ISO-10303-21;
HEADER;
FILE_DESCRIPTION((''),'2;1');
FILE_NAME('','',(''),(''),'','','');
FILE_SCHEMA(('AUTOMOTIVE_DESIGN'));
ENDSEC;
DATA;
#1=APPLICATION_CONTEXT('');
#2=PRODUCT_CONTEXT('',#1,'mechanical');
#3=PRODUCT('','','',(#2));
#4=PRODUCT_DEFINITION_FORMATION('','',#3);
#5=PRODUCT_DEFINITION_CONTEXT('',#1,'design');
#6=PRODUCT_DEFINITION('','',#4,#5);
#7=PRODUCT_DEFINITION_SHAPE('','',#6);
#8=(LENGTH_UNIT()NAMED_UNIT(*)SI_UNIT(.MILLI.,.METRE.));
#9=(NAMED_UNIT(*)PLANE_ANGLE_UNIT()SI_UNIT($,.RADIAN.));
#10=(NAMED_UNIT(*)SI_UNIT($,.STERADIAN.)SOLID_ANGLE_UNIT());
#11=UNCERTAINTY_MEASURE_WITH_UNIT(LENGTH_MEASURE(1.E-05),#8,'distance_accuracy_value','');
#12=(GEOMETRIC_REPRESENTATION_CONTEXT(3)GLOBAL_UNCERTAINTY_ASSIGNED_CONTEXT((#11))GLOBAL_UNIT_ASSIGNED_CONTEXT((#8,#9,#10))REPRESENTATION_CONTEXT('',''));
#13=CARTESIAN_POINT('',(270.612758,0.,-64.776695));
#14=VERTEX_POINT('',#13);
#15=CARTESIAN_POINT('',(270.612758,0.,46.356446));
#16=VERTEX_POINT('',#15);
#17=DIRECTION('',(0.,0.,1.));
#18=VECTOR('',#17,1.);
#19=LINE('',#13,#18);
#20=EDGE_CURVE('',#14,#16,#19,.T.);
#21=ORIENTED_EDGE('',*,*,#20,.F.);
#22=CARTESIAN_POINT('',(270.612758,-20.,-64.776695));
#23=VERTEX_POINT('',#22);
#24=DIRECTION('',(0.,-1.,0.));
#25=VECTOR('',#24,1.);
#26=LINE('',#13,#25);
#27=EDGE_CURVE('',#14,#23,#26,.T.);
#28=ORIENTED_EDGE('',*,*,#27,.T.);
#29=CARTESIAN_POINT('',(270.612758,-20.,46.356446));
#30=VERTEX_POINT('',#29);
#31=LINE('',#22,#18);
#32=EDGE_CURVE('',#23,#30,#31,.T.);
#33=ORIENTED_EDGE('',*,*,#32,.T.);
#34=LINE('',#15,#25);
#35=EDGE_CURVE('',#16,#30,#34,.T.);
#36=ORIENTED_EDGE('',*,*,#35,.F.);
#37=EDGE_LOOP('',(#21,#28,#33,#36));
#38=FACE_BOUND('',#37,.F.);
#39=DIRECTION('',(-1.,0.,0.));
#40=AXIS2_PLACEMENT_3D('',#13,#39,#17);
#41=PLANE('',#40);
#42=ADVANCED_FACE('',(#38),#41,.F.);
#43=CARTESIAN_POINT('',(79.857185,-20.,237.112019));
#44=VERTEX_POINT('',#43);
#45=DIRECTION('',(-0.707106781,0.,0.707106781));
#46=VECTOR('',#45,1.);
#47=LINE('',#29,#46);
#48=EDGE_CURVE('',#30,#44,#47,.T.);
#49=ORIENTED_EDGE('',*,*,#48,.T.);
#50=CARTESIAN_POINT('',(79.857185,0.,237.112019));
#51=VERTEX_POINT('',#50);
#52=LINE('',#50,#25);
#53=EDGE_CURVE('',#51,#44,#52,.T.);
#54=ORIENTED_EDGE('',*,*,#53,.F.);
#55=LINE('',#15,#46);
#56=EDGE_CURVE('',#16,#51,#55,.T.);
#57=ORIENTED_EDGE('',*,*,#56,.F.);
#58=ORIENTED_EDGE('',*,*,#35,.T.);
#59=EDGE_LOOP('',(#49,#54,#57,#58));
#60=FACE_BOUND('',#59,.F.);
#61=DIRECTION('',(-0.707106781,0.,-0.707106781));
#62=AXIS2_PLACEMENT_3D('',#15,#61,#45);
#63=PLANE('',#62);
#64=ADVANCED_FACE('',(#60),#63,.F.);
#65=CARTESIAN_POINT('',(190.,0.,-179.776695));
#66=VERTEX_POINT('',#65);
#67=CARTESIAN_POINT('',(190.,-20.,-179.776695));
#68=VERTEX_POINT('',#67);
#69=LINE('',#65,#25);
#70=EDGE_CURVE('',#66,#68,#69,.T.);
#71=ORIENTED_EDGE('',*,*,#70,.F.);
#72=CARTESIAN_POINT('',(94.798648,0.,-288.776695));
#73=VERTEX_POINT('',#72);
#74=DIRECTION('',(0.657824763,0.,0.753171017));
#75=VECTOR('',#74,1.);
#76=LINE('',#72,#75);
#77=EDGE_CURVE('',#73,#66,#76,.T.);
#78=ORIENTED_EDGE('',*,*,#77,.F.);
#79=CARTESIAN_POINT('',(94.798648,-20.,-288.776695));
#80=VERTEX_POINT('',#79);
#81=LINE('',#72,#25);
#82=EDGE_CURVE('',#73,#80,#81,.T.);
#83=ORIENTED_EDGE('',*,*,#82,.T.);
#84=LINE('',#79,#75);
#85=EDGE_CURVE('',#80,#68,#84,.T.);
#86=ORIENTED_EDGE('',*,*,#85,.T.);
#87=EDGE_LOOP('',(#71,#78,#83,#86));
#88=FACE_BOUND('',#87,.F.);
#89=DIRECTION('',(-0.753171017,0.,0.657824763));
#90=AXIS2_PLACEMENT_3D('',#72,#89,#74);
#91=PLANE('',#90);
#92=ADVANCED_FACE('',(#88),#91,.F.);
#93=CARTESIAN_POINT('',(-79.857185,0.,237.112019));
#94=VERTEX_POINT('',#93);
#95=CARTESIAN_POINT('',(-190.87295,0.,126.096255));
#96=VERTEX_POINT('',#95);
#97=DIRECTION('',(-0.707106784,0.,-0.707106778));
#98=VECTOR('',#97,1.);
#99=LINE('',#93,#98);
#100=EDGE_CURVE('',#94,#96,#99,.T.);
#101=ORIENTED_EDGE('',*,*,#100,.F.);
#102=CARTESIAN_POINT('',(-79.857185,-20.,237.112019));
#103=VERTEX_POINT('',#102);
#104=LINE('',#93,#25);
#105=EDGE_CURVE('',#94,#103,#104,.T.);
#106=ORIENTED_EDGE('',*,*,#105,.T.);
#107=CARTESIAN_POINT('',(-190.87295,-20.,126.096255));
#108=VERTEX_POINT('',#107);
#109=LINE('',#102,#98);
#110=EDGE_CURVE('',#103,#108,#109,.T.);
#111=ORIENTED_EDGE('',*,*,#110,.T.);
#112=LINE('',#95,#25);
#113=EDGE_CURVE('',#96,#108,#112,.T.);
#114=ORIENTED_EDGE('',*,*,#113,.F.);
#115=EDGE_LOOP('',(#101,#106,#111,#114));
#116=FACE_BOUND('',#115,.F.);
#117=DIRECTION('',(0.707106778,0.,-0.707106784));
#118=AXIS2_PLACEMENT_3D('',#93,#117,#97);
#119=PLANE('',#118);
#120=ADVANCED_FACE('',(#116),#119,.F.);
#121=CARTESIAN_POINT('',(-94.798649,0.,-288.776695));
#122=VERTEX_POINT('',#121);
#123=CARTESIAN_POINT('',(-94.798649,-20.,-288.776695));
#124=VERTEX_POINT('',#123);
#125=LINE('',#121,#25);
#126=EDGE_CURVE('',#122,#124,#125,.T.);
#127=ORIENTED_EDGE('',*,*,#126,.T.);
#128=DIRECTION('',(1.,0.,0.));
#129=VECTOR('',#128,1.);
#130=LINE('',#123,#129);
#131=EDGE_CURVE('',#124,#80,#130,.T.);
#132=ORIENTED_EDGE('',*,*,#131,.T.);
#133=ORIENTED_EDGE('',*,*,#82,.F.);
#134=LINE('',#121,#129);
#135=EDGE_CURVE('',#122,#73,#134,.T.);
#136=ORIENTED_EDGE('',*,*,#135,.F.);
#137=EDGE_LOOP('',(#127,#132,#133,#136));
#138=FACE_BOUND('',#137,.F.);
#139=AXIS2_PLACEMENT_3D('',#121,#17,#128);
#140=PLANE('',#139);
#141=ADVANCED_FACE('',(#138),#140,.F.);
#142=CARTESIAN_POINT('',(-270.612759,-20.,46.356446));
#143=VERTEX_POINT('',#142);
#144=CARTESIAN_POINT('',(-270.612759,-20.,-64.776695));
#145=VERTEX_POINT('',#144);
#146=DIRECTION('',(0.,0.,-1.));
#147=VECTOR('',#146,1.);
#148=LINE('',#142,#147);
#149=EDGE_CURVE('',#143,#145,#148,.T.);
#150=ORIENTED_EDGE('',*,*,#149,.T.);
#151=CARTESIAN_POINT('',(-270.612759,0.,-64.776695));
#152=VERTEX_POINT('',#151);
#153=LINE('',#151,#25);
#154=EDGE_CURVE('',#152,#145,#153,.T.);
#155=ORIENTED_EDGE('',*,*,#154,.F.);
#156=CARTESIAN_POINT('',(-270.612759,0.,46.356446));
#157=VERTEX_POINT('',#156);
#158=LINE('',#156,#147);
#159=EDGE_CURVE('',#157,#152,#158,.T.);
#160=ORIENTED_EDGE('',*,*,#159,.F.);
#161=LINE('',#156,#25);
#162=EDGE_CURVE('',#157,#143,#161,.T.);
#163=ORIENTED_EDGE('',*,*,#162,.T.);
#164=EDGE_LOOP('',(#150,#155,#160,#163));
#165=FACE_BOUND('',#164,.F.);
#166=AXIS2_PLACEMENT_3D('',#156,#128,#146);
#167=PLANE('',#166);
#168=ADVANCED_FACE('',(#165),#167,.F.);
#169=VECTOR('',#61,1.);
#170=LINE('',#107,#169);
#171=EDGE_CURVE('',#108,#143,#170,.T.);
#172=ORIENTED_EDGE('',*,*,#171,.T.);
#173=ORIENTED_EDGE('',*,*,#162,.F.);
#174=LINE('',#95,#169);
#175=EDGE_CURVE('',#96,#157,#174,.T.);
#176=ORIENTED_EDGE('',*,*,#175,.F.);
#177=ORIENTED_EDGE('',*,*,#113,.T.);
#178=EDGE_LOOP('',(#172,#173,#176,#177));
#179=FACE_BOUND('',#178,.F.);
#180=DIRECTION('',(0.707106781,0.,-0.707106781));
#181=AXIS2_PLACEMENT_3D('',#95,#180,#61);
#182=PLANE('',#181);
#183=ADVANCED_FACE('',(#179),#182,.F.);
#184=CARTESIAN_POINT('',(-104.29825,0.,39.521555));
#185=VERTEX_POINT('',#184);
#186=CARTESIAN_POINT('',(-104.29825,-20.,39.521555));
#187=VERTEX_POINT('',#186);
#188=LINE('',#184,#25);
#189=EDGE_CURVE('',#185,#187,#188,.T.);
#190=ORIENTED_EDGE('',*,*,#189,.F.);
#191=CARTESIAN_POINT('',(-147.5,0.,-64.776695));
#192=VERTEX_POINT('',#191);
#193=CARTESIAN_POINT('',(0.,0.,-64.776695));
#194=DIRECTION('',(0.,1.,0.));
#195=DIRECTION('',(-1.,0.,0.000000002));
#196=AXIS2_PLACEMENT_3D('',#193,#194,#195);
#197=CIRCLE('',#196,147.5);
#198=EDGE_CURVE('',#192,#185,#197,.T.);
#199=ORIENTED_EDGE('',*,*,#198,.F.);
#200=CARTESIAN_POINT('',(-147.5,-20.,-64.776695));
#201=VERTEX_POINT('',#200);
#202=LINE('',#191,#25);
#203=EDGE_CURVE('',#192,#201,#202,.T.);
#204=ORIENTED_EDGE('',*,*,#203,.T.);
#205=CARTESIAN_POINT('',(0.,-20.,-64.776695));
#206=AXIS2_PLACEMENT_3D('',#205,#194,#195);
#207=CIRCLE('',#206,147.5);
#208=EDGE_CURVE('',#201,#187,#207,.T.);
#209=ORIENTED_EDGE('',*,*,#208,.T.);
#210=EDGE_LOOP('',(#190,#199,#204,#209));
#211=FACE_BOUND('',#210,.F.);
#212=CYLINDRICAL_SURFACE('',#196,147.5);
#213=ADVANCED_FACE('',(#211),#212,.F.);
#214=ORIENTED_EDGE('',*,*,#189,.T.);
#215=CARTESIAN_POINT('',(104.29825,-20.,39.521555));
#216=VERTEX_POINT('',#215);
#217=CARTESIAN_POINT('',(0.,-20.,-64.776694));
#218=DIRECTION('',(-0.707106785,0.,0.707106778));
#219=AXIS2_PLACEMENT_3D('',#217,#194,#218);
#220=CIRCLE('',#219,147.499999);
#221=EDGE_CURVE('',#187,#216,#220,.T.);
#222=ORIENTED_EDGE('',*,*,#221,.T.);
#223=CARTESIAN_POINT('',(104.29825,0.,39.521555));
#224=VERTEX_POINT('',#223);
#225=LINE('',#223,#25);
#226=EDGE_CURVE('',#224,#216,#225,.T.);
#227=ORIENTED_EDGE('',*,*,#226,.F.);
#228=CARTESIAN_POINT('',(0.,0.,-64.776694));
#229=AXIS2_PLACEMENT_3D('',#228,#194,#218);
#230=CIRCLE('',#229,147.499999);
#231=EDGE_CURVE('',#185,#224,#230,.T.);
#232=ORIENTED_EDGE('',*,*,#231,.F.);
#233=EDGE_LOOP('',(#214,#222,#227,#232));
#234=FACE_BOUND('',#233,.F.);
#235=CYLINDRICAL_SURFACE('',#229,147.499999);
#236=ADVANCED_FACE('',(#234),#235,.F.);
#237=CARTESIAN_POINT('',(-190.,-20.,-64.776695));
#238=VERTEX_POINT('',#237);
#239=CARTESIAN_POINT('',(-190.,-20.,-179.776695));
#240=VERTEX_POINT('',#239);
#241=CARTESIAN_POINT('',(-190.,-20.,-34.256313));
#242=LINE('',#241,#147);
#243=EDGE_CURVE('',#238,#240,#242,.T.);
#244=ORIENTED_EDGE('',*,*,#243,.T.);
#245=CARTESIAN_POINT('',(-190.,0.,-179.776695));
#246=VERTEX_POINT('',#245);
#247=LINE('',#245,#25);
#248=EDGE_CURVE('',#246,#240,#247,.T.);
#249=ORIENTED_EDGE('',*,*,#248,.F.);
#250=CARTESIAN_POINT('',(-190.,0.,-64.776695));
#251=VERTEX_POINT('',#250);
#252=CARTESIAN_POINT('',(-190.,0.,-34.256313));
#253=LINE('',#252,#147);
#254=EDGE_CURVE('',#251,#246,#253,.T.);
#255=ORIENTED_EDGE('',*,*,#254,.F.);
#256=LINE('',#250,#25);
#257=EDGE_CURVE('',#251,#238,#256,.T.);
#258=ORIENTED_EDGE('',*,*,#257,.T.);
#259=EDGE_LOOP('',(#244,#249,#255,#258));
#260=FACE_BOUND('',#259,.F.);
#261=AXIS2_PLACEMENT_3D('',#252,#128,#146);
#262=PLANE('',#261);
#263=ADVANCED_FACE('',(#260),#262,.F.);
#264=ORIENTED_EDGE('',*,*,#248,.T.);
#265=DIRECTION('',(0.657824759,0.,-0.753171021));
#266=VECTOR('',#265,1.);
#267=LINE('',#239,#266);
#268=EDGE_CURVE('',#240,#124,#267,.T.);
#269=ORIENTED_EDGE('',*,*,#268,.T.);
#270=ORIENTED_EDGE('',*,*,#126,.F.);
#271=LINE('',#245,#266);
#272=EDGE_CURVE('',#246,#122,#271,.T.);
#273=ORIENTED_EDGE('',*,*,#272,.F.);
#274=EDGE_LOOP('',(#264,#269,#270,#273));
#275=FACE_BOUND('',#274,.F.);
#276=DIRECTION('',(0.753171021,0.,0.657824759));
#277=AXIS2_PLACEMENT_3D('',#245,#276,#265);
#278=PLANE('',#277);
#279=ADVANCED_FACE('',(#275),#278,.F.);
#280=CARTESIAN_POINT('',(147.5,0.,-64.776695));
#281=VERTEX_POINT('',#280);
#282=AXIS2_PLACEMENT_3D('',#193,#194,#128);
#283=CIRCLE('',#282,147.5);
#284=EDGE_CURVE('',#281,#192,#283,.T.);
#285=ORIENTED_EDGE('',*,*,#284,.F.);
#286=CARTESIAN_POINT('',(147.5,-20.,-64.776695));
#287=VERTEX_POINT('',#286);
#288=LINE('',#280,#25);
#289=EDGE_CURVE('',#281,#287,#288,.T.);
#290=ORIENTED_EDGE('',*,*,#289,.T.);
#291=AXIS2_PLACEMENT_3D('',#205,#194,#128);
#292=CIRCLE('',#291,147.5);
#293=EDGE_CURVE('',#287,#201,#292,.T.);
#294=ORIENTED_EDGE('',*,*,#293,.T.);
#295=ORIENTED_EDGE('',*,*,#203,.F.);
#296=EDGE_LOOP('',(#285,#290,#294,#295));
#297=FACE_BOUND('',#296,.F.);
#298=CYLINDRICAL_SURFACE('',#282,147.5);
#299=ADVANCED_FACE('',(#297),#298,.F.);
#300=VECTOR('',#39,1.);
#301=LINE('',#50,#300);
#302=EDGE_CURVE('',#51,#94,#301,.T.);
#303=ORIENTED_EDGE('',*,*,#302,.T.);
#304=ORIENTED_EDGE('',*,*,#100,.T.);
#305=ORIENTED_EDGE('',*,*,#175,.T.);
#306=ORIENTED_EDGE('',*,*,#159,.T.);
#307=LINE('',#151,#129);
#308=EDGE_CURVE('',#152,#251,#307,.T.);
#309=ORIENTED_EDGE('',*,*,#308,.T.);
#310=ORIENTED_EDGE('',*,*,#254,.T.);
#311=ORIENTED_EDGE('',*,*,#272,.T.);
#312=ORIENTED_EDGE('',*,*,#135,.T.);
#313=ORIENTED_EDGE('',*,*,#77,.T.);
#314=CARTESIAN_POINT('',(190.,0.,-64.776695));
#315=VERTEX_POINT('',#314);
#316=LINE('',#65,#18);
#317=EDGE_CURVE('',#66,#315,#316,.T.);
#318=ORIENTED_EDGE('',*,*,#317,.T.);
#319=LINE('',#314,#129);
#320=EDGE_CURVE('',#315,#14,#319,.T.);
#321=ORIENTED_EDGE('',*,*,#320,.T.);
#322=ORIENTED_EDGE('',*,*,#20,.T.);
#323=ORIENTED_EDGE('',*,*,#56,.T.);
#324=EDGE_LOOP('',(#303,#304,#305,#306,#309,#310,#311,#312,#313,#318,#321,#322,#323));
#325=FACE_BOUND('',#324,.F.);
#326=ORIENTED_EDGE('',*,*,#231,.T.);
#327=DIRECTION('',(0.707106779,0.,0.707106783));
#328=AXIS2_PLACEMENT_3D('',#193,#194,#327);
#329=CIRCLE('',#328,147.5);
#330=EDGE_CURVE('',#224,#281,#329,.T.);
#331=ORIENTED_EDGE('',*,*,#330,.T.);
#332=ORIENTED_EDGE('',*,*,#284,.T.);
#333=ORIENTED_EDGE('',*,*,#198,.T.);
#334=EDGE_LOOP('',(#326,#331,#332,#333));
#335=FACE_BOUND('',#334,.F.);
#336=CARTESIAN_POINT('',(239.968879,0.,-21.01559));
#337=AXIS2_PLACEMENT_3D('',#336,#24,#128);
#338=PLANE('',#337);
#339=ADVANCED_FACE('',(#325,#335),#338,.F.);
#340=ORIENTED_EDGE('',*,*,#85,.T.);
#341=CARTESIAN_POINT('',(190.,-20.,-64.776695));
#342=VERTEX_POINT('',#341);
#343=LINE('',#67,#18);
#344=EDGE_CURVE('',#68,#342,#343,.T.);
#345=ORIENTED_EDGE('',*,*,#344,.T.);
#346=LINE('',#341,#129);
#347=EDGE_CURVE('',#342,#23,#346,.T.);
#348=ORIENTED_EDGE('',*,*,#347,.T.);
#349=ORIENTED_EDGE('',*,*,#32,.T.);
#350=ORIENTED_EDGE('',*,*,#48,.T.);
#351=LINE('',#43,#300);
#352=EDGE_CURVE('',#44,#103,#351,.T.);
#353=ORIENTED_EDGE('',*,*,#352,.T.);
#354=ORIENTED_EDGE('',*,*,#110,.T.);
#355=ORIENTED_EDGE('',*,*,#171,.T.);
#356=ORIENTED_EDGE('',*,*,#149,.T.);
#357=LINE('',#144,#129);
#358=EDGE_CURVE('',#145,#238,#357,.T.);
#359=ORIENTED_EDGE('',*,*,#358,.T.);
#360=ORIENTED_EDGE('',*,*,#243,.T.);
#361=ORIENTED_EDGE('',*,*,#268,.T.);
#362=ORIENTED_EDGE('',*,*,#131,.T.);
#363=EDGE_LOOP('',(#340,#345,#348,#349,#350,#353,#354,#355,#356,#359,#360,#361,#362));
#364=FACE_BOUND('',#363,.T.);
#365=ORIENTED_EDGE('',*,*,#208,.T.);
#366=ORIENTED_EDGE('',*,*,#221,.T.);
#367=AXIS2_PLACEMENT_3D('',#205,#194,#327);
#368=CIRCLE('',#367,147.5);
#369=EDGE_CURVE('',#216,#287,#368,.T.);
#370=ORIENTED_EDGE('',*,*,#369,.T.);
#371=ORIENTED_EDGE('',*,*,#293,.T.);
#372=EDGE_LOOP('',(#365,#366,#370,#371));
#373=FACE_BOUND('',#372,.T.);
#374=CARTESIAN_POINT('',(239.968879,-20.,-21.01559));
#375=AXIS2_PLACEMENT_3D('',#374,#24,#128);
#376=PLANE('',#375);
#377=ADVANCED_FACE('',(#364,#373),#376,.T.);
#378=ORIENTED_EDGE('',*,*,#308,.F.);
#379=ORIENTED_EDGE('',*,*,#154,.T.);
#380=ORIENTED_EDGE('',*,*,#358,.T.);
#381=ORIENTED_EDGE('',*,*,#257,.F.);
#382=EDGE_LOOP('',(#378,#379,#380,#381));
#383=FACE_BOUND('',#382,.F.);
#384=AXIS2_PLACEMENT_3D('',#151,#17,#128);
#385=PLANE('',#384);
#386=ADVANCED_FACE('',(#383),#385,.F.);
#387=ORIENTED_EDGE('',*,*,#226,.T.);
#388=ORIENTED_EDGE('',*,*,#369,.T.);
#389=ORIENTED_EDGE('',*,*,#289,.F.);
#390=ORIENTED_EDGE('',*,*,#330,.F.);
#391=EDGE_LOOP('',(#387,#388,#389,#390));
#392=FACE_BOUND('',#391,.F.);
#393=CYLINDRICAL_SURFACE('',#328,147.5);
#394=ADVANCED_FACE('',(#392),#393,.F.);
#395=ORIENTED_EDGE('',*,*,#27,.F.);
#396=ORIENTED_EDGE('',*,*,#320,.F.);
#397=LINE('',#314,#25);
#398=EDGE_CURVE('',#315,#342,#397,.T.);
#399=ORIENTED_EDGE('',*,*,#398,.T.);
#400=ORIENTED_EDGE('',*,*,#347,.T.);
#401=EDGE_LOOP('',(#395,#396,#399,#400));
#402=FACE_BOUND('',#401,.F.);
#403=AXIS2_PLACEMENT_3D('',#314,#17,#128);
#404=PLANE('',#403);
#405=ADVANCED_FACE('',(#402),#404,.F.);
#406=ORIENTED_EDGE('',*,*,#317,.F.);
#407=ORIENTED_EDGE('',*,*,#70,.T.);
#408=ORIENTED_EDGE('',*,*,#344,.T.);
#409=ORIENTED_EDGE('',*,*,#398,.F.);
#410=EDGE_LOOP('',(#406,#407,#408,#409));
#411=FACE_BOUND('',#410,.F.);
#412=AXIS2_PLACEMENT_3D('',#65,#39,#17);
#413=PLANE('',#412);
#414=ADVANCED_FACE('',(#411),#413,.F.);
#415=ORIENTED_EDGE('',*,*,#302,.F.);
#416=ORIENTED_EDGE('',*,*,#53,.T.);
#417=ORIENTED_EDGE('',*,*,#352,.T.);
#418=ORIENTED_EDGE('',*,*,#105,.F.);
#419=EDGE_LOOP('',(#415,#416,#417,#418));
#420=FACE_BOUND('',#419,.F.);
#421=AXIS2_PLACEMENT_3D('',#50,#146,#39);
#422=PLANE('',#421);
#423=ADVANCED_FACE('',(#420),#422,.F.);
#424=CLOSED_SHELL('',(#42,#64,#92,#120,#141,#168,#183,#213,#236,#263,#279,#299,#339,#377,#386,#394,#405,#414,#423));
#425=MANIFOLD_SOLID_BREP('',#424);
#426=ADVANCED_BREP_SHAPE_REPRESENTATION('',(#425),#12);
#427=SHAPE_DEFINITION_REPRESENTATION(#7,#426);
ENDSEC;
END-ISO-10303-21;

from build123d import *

# Parameters (mm, degrees)
F0_R     = 60
F0_R_2   = 15
F1_DEPTH = 20
F2_DEPTH = 20


with BuildPart() as f1:
    # F0 (on Front) → F1 (new body)
    with BuildSketch(Plane.XZ):
        with BuildLine():
            Line((-190, -64.776695), (-147.5, -64.776695))
            ThreePointArc((-147.5, -64.776695), (-136.272231, -8.330889), (-104.29825, 39.521555))
            Line((-104.29825, 39.521555), (-190.87295, 126.096255))
            Line((-190.87295, 126.096255), (-270.612759, 46.356446))
            Line((-270.612759, 46.356446), (-190, -34.256313))
            Line((-190, -34.256313), (-190, -64.776695))
        make_face()
        with BuildLine():
            Line((190, -64.776695), (147.5, -64.776695))
            ThreePointArc((147.5, -64.776695), (0, -212.276695), (-147.5, -64.776695))
            Line((-147.5, -64.776695), (-190, -64.776695))
            Line((-190, -64.776695), (-190, -179.776695))
            Line((-190, -179.776695), (-94.798649, -288.776695))
            Line((-94.798649, -288.776695), (0, -288.776695))
            Line((0, -288.776695), (94.798648, -288.776695))
            Line((94.798648, -288.776695), (190, -179.776695))
            Line((190, -179.776695), (190, -64.776695))
        make_face()
        with BuildLine():
            ThreePointArc((104.29825, 39.521555), (136.272231, -8.330889), (147.5, -64.776695))
            Line((147.5, -64.776695), (190, -64.776695))
            Line((190, -64.776695), (190, -34.256313))
            Line((190, -34.256313), (270.612758, 46.356446))
            Line((270.612758, 46.356446), (190.872949, 126.096255))
            Line((190.872949, 126.096255), (104.29825, 39.521555))
        make_face()
        with BuildLine():
            ThreePointArc((-104.29825, 39.521555), (0, 82.723305), (104.29825, 39.521555))
            Line((104.29825, 39.521555), (190.872949, 126.096255))
            Line((190.872949, 126.096255), (79.857185, 237.112019))
            Line((79.857185, 237.112019), (0, 237.112019))
            Line((0, 237.112019), (-79.857185, 237.112019))
            Line((-79.857185, 237.112019), (-190.87295, 126.096255))
            Line((-190.87295, 126.096255), (-104.29825, 39.521555))
        make_face()
        with Locations((-65, 154.372583)):
            Circle(F0_R, mode=Mode.SUBTRACT)
        with Locations((65, 154.372583)):
            Circle(F0_R, mode=Mode.SUBTRACT)
        with Locations((-65, 154.372583)):
            Circle(F0_R)
        with Locations((-65, 154.372583)):
            Circle(F0_R_2, mode=Mode.SUBTRACT)
        with Locations((-65, 154.372583)):
            Circle(F0_R_2)
        with Locations((65, 154.372583)):
            Circle(F0_R)
        with Locations((65, 154.372583)):
            Circle(F0_R_2, mode=Mode.SUBTRACT)
        with Locations((65, 154.372583)):
            Circle(F0_R_2)
    extrude(amount=F1_DEPTH)

    # F0 (on Front) → F2 (join)
    with BuildSketch(Plane.XZ):
        Polygon((190, -34.256313), (190, -64.776695), (230, -64.776695), (270.612758, -64.776695), (270.612758, 46.356446), align=None)
        Polygon((-230, -64.776695), (-190, -64.776695), (-190, -34.256313), (-270.612759, 46.356446), (-270.612759, -64.776695), align=None)
    extrude(amount=F2_DEPTH)


solid = f1.part
